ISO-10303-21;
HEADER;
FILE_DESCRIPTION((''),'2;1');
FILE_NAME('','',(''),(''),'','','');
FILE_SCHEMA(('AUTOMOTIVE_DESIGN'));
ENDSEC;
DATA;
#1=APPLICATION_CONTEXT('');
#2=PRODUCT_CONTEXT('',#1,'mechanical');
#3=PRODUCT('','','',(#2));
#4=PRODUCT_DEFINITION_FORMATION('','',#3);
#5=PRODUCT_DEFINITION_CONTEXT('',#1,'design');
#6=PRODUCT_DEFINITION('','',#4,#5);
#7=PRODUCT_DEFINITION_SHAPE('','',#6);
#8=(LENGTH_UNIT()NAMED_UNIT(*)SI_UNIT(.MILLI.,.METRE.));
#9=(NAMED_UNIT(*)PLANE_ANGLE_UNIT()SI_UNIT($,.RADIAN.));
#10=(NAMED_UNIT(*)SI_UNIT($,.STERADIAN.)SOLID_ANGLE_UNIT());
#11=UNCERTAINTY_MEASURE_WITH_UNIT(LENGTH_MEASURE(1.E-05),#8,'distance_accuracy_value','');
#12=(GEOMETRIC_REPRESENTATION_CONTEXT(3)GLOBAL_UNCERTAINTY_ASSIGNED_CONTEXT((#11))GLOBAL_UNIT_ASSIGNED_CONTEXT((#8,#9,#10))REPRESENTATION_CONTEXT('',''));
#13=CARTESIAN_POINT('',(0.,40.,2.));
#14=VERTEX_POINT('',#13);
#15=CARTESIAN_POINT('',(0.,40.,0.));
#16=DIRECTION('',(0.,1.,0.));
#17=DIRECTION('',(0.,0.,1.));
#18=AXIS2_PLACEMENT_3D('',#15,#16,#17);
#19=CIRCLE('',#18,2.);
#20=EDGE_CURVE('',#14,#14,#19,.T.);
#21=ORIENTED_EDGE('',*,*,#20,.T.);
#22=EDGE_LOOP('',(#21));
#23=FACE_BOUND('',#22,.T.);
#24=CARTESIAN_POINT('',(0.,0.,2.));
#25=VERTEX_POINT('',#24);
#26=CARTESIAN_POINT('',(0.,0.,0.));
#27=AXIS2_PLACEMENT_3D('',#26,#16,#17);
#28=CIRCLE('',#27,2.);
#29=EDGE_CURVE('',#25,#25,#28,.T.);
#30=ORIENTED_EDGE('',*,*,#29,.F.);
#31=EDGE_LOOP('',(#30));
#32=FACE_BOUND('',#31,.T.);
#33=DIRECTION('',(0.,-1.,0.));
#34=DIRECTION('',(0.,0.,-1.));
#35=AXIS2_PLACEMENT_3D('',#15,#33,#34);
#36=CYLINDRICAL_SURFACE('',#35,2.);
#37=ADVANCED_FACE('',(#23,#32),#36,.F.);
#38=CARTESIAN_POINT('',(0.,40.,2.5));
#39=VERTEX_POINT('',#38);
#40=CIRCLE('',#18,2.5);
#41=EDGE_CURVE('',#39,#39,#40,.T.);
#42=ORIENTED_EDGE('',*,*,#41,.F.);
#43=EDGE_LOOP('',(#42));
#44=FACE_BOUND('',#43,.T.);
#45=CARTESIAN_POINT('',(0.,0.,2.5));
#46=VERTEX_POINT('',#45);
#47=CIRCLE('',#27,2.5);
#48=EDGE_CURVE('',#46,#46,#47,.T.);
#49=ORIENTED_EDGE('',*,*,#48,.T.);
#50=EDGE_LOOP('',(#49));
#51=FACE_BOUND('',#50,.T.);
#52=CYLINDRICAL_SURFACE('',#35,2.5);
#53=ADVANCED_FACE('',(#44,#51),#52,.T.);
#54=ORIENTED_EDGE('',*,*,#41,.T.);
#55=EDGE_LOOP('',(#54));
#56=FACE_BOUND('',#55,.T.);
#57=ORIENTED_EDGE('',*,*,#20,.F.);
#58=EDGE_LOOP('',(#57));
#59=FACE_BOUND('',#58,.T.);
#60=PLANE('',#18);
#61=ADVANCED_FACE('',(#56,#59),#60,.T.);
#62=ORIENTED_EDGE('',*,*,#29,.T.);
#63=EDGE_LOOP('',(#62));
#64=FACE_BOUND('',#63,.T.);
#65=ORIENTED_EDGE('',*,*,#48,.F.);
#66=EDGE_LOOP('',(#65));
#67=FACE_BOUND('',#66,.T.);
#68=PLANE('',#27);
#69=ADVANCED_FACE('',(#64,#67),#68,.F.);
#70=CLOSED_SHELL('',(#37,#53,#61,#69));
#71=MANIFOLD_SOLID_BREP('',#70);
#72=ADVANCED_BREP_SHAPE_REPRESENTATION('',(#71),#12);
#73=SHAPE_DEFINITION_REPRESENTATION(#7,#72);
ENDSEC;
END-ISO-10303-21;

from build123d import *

# Parameters (mm, degrees)
SKETCH_1_R      = 2.5
SKETCH_1_R_2    = 2
EXTRUDE_1_DEPTH = 40


with BuildPart() as part:
    # 草图1 → 凸台-拉伸1 (new body)
    with BuildSketch(Plane(origin=(0, 0, 0), x_dir=(1, 0, 0), z_dir=(0, 1, 0))):
        with Locations(Location((0, 0, 0), (0, 0, 270))):
            Circle(SKETCH_1_R)
        with Locations(Location((0, 0, 0), (0, 0, 270))):
            Circle(SKETCH_1_R_2, mode=Mode.SUBTRACT)
    extrude(amount=EXTRUDE_1_DEPTH)


solid = part.part
